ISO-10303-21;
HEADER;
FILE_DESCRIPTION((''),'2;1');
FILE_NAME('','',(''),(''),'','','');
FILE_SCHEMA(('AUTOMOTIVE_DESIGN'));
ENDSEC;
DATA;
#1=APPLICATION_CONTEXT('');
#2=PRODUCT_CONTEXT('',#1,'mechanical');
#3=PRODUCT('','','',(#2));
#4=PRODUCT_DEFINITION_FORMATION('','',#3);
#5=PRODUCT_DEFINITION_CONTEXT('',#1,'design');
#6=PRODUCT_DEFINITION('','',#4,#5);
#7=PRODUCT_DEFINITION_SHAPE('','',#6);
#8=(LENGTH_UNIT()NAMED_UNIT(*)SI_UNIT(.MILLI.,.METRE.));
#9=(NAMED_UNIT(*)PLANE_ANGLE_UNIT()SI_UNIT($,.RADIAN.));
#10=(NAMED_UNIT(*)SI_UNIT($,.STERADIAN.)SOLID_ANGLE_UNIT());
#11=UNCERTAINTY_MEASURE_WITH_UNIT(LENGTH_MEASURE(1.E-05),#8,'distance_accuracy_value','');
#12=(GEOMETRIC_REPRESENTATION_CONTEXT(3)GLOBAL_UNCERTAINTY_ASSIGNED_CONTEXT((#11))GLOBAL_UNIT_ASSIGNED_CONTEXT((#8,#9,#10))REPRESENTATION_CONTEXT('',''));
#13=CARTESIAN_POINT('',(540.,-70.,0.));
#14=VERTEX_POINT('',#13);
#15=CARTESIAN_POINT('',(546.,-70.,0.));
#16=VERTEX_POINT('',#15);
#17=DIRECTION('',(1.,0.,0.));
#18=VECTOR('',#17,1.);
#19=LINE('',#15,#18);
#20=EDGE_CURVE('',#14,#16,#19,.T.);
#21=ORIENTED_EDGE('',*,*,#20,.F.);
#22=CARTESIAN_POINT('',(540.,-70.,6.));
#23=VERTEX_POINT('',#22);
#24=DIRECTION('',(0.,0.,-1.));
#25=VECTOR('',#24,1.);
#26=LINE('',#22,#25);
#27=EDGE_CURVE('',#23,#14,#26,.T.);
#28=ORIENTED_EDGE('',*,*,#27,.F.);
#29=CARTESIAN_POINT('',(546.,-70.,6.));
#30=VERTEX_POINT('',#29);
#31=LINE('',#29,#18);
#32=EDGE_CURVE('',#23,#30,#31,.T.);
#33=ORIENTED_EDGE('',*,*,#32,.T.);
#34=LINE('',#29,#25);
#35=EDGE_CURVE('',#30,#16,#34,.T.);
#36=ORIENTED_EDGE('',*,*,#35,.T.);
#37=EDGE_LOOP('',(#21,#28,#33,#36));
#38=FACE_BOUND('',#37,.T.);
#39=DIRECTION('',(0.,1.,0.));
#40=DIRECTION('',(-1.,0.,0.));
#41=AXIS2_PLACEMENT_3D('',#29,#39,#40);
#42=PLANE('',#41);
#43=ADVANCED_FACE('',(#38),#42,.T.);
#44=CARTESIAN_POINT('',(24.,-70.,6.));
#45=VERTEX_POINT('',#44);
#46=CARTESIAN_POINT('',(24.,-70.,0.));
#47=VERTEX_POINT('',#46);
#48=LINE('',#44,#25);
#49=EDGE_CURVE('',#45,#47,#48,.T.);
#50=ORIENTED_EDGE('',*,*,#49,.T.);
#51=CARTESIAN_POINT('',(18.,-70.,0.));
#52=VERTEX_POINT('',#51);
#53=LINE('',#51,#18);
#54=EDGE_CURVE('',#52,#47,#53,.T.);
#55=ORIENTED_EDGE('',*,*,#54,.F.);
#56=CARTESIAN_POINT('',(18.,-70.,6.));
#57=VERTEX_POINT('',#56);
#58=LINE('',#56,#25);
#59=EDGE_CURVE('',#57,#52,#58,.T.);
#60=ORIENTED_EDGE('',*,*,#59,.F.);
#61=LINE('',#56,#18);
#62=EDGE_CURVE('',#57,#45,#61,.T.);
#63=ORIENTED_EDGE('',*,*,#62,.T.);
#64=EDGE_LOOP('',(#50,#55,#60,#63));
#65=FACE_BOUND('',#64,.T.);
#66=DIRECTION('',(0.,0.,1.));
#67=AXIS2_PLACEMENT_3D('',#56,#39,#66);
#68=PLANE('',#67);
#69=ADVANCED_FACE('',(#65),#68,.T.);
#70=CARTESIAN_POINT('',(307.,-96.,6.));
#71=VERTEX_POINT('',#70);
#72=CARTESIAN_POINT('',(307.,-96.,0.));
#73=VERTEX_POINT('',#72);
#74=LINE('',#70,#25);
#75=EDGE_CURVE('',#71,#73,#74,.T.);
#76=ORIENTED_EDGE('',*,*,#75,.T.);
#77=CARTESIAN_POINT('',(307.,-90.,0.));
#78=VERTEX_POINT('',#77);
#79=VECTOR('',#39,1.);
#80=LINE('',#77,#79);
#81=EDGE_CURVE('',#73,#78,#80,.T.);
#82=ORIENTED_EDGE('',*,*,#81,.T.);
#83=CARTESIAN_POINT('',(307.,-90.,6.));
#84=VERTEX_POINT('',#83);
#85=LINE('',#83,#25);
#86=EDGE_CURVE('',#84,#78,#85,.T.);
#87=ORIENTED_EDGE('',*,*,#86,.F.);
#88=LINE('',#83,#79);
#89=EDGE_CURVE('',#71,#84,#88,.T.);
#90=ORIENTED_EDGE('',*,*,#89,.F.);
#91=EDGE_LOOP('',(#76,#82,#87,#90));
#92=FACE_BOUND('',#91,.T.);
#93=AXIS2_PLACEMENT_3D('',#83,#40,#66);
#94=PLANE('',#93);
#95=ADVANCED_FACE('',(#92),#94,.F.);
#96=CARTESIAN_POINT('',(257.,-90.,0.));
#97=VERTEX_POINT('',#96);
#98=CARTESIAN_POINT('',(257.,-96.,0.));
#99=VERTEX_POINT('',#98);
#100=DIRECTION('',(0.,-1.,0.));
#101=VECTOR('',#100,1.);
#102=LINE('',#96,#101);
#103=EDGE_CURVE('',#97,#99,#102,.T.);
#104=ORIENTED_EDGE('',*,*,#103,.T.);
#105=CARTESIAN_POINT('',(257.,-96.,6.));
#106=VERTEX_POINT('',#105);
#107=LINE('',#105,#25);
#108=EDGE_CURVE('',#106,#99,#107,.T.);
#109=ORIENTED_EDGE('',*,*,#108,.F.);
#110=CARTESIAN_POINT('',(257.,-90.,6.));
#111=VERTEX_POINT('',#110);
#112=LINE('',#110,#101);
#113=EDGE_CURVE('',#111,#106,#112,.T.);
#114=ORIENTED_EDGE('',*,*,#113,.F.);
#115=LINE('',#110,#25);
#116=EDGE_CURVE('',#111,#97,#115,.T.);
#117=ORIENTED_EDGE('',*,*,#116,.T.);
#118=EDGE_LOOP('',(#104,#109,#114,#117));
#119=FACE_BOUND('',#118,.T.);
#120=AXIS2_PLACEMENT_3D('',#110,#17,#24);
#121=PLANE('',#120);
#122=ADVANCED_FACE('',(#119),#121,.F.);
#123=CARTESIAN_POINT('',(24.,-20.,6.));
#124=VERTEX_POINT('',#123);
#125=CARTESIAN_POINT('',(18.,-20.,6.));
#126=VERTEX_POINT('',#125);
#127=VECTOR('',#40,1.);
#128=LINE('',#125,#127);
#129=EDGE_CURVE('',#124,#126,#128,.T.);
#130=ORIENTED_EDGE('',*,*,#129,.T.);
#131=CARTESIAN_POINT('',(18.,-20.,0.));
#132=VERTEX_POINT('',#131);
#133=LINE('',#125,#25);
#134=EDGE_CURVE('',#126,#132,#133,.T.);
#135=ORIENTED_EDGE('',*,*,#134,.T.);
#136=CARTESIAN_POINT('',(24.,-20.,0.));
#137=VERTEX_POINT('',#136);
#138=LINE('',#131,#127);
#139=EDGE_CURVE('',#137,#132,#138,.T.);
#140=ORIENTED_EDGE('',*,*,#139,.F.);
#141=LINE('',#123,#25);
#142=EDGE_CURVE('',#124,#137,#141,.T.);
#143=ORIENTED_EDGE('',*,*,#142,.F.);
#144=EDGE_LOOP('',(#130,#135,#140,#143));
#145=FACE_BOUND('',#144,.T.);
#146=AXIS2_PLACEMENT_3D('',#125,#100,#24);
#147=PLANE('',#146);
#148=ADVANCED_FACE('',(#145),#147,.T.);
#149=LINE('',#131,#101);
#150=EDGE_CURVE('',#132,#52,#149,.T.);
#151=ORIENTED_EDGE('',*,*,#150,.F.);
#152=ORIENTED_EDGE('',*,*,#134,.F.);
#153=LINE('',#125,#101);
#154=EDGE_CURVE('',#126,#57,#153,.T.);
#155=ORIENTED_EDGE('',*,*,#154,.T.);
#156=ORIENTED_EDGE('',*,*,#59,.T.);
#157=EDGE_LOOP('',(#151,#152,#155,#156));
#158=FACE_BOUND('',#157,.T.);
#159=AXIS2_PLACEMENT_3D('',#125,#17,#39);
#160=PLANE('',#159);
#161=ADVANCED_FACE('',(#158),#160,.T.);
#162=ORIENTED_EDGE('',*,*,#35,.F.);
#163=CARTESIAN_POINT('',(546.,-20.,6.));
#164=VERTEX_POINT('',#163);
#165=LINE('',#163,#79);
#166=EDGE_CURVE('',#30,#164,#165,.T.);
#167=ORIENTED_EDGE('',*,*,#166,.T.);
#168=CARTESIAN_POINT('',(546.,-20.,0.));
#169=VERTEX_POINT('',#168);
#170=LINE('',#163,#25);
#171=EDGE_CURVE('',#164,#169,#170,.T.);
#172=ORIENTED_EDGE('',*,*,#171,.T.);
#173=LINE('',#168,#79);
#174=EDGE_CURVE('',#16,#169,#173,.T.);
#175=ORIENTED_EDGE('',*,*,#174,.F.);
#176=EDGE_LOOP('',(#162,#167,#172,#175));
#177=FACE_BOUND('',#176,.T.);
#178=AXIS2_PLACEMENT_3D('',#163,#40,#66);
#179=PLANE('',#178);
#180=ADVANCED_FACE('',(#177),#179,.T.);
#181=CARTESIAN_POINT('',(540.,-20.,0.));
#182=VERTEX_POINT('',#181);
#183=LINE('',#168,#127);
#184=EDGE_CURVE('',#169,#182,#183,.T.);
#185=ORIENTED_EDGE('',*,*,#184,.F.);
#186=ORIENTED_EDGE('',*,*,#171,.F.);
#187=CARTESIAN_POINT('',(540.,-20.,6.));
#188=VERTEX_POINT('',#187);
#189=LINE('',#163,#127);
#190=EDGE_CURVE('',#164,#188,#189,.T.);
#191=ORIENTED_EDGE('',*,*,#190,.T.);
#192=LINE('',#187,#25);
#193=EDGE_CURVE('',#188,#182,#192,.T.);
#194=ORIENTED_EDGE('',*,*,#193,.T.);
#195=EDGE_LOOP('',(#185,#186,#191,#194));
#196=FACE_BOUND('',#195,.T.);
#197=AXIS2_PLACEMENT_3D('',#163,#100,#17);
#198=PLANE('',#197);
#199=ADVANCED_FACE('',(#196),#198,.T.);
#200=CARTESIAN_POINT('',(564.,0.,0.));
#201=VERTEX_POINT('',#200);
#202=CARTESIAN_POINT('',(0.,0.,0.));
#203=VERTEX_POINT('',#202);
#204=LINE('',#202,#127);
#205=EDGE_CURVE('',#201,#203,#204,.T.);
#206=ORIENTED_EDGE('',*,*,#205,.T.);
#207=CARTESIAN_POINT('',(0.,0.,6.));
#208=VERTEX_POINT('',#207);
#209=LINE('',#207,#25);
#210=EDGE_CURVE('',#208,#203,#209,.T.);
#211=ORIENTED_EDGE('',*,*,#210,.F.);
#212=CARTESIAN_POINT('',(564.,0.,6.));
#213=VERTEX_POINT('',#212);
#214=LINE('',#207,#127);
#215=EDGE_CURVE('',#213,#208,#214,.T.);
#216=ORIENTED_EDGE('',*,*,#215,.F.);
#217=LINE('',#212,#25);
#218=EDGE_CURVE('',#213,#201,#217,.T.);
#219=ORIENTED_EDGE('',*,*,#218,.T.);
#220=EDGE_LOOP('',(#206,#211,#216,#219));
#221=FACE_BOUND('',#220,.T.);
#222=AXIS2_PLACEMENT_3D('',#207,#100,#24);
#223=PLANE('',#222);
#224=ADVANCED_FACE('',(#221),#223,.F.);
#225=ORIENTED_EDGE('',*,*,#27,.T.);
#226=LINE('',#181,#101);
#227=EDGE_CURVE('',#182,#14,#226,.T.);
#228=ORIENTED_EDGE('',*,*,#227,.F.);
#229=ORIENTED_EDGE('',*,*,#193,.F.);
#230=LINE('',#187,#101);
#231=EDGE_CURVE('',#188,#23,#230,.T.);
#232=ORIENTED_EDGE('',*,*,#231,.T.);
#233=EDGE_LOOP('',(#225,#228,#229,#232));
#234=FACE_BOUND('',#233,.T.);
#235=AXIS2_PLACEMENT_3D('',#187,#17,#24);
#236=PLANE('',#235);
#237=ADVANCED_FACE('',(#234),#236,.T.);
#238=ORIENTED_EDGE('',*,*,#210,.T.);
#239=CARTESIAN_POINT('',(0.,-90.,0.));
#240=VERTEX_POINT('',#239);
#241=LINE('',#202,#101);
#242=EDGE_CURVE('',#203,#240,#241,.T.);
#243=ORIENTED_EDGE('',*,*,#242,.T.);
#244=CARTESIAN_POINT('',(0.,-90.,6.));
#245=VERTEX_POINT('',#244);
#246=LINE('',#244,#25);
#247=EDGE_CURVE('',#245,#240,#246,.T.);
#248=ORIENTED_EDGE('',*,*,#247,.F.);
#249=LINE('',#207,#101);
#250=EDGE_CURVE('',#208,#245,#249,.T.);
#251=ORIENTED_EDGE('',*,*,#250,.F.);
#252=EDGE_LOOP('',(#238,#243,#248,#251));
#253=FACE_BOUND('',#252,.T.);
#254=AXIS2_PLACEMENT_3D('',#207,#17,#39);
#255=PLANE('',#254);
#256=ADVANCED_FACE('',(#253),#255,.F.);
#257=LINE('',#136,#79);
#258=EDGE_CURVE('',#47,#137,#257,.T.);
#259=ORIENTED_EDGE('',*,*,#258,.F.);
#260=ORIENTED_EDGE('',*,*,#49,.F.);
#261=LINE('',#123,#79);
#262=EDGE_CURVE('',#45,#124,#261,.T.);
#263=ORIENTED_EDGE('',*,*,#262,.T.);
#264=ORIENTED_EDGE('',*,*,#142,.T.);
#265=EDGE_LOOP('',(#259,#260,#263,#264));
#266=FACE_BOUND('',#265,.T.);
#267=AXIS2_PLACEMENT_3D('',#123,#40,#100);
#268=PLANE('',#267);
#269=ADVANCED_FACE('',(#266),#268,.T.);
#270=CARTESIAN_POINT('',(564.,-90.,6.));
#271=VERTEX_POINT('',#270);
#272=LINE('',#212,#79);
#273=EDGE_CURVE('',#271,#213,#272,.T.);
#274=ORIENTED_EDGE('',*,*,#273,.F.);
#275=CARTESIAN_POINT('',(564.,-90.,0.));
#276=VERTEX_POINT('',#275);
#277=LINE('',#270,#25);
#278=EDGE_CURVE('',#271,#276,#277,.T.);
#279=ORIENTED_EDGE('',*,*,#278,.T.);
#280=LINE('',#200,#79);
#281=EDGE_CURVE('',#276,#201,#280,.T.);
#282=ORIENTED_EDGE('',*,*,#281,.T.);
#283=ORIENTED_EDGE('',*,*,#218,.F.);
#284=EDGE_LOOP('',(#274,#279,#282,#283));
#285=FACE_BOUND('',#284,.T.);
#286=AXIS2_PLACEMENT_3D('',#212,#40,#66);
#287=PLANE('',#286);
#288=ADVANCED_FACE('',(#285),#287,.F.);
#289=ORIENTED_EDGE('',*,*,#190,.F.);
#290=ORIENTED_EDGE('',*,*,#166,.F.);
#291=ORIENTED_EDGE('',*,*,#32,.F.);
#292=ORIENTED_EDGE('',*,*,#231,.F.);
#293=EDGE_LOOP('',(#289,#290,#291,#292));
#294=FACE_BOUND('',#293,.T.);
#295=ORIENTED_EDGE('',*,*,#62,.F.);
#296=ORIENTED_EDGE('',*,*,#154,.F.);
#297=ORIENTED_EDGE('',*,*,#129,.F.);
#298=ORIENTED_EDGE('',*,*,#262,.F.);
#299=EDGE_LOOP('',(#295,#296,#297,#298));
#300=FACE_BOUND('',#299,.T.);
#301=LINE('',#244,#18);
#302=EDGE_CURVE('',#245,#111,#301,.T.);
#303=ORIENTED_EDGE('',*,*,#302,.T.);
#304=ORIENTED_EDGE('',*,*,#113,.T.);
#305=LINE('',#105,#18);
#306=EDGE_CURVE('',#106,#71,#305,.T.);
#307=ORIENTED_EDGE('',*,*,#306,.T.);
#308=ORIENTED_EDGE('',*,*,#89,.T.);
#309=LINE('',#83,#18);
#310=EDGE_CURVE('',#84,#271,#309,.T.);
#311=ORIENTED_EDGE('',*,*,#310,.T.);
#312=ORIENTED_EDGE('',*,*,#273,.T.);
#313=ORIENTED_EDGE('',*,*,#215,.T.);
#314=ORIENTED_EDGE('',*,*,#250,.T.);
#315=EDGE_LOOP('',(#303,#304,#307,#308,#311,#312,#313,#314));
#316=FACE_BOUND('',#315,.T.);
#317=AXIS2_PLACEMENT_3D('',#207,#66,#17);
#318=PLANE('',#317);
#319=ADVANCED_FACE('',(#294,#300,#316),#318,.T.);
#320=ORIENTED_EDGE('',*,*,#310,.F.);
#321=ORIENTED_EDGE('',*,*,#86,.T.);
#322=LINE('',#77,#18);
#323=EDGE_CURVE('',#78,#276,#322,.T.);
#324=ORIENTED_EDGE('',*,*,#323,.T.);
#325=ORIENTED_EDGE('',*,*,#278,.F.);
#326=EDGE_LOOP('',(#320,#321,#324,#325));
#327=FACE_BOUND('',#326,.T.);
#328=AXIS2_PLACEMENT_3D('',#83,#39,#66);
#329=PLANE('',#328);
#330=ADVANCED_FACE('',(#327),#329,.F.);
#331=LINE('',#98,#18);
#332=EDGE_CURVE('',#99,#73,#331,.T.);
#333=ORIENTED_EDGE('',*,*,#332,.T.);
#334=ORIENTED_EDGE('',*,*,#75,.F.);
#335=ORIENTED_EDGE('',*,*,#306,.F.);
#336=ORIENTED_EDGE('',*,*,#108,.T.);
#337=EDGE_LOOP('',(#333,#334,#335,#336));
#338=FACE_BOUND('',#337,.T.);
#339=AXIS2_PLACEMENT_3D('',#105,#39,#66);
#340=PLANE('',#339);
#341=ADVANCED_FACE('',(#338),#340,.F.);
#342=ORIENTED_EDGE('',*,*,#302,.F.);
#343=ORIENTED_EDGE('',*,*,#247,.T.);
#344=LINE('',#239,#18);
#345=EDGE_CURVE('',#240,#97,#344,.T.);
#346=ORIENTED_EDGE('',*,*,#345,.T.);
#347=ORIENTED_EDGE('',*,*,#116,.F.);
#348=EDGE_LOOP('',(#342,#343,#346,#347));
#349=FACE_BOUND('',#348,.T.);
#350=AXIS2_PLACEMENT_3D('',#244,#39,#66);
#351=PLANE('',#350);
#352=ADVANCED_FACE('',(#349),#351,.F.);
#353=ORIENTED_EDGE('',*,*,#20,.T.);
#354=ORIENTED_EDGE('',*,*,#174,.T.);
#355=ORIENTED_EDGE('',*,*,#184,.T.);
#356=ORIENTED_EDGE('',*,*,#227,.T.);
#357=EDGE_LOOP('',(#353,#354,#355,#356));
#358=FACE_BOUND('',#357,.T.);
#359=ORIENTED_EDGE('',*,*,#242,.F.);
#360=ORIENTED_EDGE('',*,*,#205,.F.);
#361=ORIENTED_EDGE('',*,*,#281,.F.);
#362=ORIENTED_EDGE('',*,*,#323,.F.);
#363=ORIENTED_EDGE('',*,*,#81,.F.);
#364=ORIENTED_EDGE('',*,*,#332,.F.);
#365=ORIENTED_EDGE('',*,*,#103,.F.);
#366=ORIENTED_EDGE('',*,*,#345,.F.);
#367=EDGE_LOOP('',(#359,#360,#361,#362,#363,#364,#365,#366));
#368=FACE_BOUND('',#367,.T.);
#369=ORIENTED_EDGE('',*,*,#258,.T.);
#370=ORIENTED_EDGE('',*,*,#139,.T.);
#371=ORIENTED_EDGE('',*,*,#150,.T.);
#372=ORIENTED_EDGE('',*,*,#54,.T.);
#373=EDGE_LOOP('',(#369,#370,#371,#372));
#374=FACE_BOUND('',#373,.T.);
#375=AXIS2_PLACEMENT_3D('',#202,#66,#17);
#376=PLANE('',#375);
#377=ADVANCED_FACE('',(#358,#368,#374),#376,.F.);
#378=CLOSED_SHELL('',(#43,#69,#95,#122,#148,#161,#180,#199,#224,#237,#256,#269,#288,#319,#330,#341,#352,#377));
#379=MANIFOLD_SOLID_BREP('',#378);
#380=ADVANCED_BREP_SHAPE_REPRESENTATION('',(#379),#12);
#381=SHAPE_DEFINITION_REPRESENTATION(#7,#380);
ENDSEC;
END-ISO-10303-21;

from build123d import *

# Parameters (mm, degrees)
SKETCH1_W           = 6
SKETCH1_H           = 50
BOSS_EXTRUDE1_DEPTH = 6


with BuildPart() as part:
    # Sketch1 → Boss-Extrude1 (new body)
    with BuildSketch(Plane.XY):
        Polygon((0, 0), (564, 0), (564, -90), (307, -90), (307, -96), (257, -96), (257, -90), (0, -90), align=None)
        with Locations((543, -45)):
            Rectangle(SKETCH1_W, SKETCH1_H, mode=Mode.SUBTRACT)
        with Locations((21, -45)):
            Rectangle(SKETCH1_W, SKETCH1_H, mode=Mode.SUBTRACT)
    extrude(amount=BOSS_EXTRUDE1_DEPTH)


solid = part.part
